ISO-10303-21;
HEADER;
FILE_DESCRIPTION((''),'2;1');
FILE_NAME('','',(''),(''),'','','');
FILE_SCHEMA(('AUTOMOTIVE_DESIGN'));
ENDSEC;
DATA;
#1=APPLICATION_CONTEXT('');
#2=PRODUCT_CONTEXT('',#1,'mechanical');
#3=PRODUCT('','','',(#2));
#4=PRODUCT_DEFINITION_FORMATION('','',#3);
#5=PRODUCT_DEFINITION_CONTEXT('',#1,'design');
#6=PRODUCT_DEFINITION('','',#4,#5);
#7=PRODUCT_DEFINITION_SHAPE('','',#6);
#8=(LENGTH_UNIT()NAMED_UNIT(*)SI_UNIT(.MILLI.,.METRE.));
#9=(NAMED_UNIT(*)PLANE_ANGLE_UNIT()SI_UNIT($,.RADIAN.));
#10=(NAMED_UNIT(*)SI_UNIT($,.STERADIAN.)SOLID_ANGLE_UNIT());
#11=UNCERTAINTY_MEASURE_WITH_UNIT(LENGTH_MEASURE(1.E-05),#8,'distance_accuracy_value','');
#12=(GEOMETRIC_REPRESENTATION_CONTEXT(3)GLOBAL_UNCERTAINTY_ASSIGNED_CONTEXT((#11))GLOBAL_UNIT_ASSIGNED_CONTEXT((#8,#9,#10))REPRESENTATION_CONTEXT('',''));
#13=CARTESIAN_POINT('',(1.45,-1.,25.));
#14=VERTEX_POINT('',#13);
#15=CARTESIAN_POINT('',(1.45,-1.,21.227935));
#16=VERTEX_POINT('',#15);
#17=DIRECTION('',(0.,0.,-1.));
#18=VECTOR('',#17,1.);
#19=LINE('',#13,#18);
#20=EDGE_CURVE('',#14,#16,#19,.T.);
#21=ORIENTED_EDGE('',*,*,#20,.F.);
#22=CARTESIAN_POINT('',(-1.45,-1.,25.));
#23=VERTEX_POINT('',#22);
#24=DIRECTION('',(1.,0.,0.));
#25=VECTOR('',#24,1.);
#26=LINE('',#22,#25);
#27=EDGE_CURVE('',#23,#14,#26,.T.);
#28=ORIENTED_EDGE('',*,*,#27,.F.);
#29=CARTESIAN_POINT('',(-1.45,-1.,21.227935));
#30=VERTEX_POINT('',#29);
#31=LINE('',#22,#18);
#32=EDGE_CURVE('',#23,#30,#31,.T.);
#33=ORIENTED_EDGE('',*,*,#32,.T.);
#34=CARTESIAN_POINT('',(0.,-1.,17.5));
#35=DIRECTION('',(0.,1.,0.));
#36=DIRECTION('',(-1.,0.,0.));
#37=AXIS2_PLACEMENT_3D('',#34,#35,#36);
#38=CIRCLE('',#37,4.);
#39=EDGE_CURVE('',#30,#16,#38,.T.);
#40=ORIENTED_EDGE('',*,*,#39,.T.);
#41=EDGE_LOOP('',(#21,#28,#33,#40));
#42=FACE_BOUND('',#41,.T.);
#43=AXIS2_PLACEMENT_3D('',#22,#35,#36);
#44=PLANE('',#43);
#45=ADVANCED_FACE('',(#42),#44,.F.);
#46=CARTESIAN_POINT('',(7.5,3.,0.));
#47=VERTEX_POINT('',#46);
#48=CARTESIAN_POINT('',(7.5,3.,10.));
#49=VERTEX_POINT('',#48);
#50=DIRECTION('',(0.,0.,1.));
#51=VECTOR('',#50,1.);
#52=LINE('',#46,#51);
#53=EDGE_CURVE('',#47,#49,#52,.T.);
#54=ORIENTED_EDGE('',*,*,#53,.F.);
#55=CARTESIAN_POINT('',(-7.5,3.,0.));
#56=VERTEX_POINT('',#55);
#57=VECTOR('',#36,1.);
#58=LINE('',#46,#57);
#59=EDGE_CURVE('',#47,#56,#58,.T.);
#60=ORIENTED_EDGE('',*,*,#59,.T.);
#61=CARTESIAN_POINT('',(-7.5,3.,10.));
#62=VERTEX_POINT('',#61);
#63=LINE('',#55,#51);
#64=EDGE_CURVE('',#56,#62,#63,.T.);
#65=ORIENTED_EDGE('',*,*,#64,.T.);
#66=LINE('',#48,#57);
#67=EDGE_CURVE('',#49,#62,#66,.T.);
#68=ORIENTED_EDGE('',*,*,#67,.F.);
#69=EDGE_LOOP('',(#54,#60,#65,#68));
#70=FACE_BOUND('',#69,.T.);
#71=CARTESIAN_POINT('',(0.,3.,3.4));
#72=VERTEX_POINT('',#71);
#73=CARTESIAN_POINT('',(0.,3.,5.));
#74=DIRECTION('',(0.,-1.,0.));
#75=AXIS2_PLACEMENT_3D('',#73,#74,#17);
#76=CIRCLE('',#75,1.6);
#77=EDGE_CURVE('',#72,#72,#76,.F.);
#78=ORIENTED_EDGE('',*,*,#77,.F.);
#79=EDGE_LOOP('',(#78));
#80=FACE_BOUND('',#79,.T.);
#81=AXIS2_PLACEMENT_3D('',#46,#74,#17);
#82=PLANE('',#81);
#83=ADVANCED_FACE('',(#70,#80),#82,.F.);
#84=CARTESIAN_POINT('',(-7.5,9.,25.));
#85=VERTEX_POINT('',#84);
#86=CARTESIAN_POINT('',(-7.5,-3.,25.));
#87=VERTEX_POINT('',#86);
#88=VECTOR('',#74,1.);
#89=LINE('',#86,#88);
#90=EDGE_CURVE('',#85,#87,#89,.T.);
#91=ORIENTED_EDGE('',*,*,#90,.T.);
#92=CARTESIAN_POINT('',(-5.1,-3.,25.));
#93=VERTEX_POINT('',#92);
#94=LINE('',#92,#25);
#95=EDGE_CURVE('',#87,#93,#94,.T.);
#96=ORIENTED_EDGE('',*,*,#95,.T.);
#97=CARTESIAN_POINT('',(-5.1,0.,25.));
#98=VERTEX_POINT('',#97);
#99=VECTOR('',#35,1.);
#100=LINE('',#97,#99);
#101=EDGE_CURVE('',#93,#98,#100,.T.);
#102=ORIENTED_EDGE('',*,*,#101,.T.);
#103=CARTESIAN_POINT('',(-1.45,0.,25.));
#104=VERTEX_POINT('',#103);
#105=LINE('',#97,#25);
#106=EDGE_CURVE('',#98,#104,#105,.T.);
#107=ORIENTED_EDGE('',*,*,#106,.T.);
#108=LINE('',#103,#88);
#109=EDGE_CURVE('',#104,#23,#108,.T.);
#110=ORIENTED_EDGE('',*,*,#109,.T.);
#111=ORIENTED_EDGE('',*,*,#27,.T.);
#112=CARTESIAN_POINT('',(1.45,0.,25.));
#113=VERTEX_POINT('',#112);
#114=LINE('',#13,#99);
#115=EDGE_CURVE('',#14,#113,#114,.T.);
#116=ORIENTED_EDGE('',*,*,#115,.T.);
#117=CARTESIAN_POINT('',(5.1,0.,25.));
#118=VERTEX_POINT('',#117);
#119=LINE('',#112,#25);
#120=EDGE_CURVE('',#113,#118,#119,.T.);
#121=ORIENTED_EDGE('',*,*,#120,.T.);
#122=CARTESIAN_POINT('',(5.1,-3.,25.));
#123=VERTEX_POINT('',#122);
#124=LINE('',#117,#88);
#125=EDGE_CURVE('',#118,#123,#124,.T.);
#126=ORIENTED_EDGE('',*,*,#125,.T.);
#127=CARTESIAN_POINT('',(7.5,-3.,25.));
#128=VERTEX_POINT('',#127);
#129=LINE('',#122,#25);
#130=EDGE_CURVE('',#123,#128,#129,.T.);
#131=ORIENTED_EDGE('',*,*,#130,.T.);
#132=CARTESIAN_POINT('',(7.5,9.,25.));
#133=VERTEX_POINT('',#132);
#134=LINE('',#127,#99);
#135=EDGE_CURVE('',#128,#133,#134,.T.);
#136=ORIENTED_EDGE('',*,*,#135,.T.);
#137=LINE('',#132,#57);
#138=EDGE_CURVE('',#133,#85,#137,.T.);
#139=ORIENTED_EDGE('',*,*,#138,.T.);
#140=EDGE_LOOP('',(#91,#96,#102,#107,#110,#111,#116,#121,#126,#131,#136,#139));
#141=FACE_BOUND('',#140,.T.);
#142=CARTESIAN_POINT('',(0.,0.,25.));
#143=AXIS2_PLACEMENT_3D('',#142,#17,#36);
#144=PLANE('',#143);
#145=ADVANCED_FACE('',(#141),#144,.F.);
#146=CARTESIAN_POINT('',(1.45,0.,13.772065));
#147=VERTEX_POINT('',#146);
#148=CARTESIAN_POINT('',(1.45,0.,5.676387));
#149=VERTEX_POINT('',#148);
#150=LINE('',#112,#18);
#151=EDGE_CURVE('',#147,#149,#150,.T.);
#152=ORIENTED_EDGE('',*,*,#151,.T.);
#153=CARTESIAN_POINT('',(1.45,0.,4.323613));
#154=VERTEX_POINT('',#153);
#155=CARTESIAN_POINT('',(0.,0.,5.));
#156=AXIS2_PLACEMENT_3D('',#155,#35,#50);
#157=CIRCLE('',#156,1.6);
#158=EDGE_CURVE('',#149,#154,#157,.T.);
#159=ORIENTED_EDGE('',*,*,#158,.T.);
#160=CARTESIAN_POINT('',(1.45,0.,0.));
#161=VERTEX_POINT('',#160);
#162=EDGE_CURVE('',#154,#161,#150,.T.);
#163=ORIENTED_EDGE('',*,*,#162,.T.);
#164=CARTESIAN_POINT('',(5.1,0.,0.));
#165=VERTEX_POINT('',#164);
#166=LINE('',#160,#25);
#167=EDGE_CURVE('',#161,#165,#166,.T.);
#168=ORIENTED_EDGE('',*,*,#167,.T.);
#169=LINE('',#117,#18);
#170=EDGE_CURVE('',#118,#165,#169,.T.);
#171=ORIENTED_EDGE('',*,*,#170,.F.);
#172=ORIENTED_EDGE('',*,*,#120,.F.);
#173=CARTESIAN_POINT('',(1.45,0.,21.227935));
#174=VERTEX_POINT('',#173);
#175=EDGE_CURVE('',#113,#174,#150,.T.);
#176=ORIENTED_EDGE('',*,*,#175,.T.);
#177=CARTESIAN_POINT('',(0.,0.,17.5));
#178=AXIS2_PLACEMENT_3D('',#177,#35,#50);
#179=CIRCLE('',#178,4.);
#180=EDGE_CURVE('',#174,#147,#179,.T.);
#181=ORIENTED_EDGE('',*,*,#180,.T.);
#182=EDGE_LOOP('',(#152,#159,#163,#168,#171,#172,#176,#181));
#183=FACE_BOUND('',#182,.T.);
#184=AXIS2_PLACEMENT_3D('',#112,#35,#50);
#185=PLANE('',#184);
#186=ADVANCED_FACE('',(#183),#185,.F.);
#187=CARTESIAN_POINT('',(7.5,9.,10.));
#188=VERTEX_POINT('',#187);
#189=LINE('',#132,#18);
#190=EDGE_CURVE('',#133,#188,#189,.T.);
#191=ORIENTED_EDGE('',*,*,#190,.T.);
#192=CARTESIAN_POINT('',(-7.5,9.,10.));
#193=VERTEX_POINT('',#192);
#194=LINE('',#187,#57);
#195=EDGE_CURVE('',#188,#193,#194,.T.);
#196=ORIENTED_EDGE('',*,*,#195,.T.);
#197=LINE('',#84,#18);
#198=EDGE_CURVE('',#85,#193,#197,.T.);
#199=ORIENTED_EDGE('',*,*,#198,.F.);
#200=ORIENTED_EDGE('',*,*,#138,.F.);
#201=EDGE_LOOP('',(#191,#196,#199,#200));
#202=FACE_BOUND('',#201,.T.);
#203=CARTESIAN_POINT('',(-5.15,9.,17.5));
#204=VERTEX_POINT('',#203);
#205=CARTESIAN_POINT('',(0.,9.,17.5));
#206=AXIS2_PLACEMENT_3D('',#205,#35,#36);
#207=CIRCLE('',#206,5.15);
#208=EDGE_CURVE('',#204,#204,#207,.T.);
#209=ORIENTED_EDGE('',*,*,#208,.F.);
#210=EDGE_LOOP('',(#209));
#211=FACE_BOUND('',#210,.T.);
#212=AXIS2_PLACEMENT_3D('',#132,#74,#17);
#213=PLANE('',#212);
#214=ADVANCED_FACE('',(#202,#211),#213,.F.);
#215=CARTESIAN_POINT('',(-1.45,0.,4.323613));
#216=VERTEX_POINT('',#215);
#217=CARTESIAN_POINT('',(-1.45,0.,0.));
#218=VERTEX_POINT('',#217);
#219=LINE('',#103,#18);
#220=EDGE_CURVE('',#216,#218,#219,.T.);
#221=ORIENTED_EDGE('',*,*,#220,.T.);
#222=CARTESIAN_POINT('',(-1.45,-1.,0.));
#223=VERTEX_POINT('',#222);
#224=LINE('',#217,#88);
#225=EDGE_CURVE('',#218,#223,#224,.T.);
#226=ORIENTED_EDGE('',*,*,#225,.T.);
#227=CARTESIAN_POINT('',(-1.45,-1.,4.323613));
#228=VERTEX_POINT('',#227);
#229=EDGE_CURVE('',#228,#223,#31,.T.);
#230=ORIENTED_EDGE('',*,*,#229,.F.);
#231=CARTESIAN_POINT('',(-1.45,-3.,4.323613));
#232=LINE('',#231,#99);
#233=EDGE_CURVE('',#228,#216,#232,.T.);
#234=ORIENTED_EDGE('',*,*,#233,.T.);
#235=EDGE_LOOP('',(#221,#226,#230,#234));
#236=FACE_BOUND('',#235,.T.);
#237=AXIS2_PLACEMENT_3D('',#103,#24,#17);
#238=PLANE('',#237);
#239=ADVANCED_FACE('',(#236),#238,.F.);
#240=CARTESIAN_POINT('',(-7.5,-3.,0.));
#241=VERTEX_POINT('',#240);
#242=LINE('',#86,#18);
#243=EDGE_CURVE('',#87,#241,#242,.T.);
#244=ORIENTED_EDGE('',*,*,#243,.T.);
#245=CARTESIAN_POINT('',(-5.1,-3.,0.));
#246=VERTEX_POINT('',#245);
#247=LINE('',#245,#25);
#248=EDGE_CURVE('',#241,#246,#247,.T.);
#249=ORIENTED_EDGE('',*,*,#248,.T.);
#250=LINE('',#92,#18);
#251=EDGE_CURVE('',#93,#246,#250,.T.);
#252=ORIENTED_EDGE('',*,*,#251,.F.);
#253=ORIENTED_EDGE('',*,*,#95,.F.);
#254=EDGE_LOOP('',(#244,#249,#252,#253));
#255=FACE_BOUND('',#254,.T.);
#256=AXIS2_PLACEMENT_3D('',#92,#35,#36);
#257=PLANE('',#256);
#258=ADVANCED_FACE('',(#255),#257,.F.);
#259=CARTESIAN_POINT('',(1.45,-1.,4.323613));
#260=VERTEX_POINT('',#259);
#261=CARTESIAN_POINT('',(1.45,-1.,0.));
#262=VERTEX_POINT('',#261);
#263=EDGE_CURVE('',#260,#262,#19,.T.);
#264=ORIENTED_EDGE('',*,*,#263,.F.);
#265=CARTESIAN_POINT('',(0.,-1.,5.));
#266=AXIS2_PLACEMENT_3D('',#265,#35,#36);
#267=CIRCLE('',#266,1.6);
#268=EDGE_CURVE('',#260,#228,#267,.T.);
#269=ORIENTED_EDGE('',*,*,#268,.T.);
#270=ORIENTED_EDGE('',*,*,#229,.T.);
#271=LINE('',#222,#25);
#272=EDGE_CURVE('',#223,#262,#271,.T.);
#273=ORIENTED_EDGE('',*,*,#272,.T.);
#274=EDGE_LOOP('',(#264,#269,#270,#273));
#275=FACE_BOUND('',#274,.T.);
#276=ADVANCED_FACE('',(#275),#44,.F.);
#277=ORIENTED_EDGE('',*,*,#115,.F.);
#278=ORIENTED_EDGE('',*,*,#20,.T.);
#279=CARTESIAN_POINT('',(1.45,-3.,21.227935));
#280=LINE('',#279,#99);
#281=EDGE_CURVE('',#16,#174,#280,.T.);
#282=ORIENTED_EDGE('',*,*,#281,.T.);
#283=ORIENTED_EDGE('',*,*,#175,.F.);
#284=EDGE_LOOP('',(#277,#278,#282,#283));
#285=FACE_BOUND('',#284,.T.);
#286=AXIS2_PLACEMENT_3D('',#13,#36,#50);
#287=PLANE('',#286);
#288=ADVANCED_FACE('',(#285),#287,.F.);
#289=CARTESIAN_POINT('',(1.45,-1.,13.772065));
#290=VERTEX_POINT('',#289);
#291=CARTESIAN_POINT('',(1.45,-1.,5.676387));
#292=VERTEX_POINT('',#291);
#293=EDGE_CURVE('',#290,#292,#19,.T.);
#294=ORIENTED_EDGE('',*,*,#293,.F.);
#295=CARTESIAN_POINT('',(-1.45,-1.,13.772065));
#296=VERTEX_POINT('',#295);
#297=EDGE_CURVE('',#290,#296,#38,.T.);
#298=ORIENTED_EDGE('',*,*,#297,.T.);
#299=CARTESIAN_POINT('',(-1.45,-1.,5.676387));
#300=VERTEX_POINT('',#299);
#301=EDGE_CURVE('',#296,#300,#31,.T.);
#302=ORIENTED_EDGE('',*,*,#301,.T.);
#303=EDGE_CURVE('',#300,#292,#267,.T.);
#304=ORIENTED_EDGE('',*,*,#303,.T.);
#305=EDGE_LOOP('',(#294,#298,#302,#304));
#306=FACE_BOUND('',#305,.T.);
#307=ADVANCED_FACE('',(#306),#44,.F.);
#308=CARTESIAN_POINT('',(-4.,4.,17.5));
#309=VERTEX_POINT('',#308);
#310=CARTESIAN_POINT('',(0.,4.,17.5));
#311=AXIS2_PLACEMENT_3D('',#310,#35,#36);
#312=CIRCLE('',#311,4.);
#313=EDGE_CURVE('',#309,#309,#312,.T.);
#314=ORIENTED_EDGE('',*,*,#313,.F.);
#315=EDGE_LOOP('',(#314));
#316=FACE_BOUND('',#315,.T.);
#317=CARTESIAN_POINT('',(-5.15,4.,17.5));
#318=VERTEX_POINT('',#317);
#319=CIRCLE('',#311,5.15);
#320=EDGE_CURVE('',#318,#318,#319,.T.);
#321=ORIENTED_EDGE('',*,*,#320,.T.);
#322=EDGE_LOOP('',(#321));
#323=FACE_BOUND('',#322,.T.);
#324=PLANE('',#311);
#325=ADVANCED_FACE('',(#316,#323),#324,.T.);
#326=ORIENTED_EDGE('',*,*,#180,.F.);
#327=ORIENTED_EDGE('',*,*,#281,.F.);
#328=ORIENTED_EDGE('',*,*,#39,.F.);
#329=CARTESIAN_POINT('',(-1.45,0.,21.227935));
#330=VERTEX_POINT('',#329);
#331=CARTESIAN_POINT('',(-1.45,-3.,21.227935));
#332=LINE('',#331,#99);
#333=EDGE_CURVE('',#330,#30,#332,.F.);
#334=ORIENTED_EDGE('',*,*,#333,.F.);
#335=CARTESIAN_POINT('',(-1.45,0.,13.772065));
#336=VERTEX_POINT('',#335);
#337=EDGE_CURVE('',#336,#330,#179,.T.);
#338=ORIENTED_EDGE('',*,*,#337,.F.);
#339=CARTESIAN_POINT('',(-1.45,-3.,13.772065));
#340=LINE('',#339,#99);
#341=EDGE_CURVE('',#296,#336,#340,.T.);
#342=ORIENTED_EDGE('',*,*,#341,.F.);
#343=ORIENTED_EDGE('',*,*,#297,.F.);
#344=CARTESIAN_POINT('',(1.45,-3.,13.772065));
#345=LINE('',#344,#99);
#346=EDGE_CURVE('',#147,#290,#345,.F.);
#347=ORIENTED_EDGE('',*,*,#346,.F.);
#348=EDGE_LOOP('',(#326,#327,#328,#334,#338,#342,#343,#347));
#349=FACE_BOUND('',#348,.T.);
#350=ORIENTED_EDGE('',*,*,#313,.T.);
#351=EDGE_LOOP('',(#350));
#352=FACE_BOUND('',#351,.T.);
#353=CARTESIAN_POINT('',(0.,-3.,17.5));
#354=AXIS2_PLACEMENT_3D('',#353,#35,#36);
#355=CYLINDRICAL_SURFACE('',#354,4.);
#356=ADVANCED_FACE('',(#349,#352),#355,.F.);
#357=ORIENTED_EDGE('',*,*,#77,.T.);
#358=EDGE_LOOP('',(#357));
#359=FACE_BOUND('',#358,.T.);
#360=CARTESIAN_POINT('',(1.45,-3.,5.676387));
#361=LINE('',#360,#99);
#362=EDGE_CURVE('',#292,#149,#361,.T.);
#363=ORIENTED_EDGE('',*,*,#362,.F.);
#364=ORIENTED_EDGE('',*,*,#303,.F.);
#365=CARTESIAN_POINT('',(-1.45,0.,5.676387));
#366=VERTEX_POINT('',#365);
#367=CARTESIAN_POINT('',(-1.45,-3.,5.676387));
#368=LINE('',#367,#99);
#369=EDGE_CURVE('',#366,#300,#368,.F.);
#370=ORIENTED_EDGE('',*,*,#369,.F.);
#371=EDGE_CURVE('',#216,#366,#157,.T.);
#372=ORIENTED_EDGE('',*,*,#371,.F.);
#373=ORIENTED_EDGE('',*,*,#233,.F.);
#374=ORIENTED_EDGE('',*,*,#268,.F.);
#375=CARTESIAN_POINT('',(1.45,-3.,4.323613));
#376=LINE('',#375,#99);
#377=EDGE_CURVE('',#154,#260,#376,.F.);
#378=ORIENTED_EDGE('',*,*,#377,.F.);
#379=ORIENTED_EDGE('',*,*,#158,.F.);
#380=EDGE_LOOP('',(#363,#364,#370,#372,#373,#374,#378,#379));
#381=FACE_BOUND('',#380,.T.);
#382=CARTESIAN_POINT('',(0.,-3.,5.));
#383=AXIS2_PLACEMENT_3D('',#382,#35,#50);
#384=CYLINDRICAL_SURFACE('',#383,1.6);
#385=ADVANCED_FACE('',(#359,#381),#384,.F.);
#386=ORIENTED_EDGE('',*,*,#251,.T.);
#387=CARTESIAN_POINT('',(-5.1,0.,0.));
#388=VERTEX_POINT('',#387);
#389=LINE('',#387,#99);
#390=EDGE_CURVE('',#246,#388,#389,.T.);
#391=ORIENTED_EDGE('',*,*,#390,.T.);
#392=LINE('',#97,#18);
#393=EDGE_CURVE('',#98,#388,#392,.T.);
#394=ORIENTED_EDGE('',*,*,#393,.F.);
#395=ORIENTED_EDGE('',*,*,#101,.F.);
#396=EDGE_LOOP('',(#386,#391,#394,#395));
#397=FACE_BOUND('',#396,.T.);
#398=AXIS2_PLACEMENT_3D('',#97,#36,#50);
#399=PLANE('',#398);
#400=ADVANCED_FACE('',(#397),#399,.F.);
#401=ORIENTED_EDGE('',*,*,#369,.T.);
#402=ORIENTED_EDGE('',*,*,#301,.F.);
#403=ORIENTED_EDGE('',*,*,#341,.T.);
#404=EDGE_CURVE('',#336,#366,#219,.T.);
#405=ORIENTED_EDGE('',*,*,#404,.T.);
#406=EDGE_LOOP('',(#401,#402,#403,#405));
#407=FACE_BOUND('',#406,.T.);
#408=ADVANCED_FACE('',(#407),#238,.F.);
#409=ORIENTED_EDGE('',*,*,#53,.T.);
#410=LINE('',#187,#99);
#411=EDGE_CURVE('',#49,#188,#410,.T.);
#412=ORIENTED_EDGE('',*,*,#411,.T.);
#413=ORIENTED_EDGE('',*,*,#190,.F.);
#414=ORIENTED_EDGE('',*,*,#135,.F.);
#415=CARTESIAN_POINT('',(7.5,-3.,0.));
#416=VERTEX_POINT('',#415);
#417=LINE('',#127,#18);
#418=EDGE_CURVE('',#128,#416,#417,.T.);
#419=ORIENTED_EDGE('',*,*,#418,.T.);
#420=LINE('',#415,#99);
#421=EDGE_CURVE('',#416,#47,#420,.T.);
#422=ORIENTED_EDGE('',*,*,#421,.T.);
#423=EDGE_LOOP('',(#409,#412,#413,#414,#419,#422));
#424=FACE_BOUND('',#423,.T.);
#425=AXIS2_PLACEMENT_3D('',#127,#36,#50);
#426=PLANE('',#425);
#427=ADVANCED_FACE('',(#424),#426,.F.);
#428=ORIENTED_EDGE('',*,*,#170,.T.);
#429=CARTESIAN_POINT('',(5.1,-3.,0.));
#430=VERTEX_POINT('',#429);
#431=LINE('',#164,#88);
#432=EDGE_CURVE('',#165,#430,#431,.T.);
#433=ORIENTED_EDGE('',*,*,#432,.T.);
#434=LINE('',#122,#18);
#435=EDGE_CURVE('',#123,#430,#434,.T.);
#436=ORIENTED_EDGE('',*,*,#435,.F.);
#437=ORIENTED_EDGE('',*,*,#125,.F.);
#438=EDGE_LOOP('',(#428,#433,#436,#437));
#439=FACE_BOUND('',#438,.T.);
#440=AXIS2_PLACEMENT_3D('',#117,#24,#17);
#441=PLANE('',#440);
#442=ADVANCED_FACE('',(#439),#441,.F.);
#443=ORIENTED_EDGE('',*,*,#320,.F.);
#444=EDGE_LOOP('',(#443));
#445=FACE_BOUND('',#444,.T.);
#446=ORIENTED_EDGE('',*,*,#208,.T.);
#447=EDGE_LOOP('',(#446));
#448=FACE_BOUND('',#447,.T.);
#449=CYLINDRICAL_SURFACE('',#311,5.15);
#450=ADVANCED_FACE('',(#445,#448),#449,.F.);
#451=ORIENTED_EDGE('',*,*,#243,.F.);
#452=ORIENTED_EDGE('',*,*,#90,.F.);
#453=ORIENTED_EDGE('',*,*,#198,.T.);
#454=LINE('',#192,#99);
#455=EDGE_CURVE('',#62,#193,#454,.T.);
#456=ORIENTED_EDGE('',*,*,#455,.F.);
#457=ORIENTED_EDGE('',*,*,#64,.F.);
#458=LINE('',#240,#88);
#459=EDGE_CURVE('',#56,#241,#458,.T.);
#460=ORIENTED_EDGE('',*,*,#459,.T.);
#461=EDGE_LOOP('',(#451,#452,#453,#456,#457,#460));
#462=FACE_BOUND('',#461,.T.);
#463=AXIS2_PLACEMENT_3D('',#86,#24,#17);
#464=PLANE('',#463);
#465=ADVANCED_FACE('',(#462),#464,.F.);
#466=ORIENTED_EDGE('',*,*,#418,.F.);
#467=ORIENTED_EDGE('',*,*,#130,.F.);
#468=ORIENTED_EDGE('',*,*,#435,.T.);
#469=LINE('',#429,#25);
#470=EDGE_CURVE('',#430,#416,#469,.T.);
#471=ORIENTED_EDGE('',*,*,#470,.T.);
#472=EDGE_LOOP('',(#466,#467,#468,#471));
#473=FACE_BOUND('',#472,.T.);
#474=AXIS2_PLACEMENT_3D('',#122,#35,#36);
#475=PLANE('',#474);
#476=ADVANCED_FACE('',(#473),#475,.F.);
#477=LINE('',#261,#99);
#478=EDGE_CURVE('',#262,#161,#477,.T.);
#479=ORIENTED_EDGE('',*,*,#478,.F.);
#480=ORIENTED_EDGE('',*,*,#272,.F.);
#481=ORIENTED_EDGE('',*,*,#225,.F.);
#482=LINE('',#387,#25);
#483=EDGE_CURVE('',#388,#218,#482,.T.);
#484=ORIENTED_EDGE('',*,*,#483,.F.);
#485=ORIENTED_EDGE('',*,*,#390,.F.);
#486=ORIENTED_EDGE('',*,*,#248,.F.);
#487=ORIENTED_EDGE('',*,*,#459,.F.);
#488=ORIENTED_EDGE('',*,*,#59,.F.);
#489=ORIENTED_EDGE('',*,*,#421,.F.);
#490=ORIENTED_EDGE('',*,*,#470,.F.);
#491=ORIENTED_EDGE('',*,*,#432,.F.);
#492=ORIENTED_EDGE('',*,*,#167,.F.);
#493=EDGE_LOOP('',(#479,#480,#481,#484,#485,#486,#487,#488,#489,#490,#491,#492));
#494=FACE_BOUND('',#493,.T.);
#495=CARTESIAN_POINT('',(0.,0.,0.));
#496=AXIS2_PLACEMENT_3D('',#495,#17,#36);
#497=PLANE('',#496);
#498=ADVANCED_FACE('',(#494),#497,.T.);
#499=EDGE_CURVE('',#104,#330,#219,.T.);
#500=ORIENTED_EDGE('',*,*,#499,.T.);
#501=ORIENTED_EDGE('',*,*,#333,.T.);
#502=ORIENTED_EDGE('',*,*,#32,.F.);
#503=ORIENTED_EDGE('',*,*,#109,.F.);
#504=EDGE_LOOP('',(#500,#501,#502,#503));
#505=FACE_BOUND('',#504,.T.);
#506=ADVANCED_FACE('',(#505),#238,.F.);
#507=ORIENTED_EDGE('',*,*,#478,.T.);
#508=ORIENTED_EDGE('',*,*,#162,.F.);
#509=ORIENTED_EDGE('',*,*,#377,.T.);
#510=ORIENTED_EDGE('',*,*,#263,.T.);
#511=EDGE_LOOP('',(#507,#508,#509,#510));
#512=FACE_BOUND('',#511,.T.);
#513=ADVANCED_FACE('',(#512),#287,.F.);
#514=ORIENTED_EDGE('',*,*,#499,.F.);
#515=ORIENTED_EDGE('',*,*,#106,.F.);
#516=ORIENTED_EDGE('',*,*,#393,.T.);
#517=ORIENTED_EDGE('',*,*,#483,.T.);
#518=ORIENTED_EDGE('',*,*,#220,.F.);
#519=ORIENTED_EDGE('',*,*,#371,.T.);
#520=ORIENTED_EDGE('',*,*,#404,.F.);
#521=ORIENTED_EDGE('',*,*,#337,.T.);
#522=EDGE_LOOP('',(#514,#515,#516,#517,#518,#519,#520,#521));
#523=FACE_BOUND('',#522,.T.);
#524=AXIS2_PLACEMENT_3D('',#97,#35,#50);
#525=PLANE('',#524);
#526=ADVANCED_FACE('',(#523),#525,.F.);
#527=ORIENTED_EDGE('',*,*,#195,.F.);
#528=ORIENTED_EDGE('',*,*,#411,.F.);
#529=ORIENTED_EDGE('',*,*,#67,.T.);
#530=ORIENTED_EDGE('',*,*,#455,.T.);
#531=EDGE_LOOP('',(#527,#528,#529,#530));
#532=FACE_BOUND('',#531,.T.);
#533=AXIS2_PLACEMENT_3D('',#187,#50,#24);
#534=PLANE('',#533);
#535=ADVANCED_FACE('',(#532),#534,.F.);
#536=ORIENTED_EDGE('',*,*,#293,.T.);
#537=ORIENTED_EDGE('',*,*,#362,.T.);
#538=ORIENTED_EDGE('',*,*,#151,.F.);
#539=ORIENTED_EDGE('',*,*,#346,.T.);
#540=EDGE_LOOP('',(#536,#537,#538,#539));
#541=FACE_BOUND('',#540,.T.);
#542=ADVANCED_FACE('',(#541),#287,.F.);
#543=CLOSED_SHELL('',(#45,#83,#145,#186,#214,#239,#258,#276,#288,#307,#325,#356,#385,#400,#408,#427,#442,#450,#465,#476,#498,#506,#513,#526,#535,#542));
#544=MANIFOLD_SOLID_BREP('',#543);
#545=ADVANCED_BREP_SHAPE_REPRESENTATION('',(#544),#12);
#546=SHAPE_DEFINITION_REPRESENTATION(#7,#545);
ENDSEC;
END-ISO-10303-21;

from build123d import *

# Parameters (mm, degrees)
MAIN_DEPTH         = 25
SKETCH2_R          = 5.15
ROLLINGHOLE_DEPTH  = 5
SKETCH3_R          = 4
CUT_EXTRUDE2_DEPTH = 8
SKETCH4_R          = 1.6
FIXHOLE_DEPTH      = 13
SKETCH5_W          = 10
SKETCH5_H          = 6
CUT_EXTRUDE4_DEPTH = 16


with BuildPart() as part:
    # Sketch1 → Main (new body)
    with BuildSketch(Plane.XY):
        Polygon((-5.1, 0), (-5.1, -3), (-7.5, -3), (-7.5, 9), (7.5, 9), (7.5, -3), (5.1, -3), (5.1, 0), (1.45, 0), (1.45, -1), (-1.45, -1), (-1.45, 0), align=None)
    extrude(amount=MAIN_DEPTH)

    # Sketch2 → RollingHole (cut)
    with BuildSketch(Plane(origin=(0, 9, 0), x_dir=(1, 0, 0), z_dir=(0, 1, 0))):
        with Locations((0, -17.5)):
            Circle(SKETCH2_R)
    extrude(amount=-ROLLINGHOLE_DEPTH, mode=Mode.SUBTRACT)

    # Sketch3 → Cut-Extrude2 (cut, through all)
    with BuildSketch(Plane(origin=(0, 4, 0), x_dir=(1, 0, 0), z_dir=(0, 1, 0))):
        with Locations((0, -17.5)):
            Circle(SKETCH3_R)
    extrude(amount=-CUT_EXTRUDE2_DEPTH, mode=Mode.SUBTRACT)

    # Sketch4 → FixHole (cut, through all)
    with BuildSketch(Plane(origin=(0, 9, 0), x_dir=(1, 0, 0), z_dir=(0, 1, 0))):
        with Locations((0, -5)):
            Circle(SKETCH4_R)
    extrude(amount=-FIXHOLE_DEPTH, mode=Mode.SUBTRACT)

    # Sketch5 → Cut-Extrude4 (cut, through all)
    with BuildSketch(Plane.ZY.offset(7.5)):
        with Locations((5, 6)):
            Rectangle(SKETCH5_W, SKETCH5_H)
    extrude(amount=-CUT_EXTRUDE4_DEPTH, mode=Mode.SUBTRACT)


solid = part.part
